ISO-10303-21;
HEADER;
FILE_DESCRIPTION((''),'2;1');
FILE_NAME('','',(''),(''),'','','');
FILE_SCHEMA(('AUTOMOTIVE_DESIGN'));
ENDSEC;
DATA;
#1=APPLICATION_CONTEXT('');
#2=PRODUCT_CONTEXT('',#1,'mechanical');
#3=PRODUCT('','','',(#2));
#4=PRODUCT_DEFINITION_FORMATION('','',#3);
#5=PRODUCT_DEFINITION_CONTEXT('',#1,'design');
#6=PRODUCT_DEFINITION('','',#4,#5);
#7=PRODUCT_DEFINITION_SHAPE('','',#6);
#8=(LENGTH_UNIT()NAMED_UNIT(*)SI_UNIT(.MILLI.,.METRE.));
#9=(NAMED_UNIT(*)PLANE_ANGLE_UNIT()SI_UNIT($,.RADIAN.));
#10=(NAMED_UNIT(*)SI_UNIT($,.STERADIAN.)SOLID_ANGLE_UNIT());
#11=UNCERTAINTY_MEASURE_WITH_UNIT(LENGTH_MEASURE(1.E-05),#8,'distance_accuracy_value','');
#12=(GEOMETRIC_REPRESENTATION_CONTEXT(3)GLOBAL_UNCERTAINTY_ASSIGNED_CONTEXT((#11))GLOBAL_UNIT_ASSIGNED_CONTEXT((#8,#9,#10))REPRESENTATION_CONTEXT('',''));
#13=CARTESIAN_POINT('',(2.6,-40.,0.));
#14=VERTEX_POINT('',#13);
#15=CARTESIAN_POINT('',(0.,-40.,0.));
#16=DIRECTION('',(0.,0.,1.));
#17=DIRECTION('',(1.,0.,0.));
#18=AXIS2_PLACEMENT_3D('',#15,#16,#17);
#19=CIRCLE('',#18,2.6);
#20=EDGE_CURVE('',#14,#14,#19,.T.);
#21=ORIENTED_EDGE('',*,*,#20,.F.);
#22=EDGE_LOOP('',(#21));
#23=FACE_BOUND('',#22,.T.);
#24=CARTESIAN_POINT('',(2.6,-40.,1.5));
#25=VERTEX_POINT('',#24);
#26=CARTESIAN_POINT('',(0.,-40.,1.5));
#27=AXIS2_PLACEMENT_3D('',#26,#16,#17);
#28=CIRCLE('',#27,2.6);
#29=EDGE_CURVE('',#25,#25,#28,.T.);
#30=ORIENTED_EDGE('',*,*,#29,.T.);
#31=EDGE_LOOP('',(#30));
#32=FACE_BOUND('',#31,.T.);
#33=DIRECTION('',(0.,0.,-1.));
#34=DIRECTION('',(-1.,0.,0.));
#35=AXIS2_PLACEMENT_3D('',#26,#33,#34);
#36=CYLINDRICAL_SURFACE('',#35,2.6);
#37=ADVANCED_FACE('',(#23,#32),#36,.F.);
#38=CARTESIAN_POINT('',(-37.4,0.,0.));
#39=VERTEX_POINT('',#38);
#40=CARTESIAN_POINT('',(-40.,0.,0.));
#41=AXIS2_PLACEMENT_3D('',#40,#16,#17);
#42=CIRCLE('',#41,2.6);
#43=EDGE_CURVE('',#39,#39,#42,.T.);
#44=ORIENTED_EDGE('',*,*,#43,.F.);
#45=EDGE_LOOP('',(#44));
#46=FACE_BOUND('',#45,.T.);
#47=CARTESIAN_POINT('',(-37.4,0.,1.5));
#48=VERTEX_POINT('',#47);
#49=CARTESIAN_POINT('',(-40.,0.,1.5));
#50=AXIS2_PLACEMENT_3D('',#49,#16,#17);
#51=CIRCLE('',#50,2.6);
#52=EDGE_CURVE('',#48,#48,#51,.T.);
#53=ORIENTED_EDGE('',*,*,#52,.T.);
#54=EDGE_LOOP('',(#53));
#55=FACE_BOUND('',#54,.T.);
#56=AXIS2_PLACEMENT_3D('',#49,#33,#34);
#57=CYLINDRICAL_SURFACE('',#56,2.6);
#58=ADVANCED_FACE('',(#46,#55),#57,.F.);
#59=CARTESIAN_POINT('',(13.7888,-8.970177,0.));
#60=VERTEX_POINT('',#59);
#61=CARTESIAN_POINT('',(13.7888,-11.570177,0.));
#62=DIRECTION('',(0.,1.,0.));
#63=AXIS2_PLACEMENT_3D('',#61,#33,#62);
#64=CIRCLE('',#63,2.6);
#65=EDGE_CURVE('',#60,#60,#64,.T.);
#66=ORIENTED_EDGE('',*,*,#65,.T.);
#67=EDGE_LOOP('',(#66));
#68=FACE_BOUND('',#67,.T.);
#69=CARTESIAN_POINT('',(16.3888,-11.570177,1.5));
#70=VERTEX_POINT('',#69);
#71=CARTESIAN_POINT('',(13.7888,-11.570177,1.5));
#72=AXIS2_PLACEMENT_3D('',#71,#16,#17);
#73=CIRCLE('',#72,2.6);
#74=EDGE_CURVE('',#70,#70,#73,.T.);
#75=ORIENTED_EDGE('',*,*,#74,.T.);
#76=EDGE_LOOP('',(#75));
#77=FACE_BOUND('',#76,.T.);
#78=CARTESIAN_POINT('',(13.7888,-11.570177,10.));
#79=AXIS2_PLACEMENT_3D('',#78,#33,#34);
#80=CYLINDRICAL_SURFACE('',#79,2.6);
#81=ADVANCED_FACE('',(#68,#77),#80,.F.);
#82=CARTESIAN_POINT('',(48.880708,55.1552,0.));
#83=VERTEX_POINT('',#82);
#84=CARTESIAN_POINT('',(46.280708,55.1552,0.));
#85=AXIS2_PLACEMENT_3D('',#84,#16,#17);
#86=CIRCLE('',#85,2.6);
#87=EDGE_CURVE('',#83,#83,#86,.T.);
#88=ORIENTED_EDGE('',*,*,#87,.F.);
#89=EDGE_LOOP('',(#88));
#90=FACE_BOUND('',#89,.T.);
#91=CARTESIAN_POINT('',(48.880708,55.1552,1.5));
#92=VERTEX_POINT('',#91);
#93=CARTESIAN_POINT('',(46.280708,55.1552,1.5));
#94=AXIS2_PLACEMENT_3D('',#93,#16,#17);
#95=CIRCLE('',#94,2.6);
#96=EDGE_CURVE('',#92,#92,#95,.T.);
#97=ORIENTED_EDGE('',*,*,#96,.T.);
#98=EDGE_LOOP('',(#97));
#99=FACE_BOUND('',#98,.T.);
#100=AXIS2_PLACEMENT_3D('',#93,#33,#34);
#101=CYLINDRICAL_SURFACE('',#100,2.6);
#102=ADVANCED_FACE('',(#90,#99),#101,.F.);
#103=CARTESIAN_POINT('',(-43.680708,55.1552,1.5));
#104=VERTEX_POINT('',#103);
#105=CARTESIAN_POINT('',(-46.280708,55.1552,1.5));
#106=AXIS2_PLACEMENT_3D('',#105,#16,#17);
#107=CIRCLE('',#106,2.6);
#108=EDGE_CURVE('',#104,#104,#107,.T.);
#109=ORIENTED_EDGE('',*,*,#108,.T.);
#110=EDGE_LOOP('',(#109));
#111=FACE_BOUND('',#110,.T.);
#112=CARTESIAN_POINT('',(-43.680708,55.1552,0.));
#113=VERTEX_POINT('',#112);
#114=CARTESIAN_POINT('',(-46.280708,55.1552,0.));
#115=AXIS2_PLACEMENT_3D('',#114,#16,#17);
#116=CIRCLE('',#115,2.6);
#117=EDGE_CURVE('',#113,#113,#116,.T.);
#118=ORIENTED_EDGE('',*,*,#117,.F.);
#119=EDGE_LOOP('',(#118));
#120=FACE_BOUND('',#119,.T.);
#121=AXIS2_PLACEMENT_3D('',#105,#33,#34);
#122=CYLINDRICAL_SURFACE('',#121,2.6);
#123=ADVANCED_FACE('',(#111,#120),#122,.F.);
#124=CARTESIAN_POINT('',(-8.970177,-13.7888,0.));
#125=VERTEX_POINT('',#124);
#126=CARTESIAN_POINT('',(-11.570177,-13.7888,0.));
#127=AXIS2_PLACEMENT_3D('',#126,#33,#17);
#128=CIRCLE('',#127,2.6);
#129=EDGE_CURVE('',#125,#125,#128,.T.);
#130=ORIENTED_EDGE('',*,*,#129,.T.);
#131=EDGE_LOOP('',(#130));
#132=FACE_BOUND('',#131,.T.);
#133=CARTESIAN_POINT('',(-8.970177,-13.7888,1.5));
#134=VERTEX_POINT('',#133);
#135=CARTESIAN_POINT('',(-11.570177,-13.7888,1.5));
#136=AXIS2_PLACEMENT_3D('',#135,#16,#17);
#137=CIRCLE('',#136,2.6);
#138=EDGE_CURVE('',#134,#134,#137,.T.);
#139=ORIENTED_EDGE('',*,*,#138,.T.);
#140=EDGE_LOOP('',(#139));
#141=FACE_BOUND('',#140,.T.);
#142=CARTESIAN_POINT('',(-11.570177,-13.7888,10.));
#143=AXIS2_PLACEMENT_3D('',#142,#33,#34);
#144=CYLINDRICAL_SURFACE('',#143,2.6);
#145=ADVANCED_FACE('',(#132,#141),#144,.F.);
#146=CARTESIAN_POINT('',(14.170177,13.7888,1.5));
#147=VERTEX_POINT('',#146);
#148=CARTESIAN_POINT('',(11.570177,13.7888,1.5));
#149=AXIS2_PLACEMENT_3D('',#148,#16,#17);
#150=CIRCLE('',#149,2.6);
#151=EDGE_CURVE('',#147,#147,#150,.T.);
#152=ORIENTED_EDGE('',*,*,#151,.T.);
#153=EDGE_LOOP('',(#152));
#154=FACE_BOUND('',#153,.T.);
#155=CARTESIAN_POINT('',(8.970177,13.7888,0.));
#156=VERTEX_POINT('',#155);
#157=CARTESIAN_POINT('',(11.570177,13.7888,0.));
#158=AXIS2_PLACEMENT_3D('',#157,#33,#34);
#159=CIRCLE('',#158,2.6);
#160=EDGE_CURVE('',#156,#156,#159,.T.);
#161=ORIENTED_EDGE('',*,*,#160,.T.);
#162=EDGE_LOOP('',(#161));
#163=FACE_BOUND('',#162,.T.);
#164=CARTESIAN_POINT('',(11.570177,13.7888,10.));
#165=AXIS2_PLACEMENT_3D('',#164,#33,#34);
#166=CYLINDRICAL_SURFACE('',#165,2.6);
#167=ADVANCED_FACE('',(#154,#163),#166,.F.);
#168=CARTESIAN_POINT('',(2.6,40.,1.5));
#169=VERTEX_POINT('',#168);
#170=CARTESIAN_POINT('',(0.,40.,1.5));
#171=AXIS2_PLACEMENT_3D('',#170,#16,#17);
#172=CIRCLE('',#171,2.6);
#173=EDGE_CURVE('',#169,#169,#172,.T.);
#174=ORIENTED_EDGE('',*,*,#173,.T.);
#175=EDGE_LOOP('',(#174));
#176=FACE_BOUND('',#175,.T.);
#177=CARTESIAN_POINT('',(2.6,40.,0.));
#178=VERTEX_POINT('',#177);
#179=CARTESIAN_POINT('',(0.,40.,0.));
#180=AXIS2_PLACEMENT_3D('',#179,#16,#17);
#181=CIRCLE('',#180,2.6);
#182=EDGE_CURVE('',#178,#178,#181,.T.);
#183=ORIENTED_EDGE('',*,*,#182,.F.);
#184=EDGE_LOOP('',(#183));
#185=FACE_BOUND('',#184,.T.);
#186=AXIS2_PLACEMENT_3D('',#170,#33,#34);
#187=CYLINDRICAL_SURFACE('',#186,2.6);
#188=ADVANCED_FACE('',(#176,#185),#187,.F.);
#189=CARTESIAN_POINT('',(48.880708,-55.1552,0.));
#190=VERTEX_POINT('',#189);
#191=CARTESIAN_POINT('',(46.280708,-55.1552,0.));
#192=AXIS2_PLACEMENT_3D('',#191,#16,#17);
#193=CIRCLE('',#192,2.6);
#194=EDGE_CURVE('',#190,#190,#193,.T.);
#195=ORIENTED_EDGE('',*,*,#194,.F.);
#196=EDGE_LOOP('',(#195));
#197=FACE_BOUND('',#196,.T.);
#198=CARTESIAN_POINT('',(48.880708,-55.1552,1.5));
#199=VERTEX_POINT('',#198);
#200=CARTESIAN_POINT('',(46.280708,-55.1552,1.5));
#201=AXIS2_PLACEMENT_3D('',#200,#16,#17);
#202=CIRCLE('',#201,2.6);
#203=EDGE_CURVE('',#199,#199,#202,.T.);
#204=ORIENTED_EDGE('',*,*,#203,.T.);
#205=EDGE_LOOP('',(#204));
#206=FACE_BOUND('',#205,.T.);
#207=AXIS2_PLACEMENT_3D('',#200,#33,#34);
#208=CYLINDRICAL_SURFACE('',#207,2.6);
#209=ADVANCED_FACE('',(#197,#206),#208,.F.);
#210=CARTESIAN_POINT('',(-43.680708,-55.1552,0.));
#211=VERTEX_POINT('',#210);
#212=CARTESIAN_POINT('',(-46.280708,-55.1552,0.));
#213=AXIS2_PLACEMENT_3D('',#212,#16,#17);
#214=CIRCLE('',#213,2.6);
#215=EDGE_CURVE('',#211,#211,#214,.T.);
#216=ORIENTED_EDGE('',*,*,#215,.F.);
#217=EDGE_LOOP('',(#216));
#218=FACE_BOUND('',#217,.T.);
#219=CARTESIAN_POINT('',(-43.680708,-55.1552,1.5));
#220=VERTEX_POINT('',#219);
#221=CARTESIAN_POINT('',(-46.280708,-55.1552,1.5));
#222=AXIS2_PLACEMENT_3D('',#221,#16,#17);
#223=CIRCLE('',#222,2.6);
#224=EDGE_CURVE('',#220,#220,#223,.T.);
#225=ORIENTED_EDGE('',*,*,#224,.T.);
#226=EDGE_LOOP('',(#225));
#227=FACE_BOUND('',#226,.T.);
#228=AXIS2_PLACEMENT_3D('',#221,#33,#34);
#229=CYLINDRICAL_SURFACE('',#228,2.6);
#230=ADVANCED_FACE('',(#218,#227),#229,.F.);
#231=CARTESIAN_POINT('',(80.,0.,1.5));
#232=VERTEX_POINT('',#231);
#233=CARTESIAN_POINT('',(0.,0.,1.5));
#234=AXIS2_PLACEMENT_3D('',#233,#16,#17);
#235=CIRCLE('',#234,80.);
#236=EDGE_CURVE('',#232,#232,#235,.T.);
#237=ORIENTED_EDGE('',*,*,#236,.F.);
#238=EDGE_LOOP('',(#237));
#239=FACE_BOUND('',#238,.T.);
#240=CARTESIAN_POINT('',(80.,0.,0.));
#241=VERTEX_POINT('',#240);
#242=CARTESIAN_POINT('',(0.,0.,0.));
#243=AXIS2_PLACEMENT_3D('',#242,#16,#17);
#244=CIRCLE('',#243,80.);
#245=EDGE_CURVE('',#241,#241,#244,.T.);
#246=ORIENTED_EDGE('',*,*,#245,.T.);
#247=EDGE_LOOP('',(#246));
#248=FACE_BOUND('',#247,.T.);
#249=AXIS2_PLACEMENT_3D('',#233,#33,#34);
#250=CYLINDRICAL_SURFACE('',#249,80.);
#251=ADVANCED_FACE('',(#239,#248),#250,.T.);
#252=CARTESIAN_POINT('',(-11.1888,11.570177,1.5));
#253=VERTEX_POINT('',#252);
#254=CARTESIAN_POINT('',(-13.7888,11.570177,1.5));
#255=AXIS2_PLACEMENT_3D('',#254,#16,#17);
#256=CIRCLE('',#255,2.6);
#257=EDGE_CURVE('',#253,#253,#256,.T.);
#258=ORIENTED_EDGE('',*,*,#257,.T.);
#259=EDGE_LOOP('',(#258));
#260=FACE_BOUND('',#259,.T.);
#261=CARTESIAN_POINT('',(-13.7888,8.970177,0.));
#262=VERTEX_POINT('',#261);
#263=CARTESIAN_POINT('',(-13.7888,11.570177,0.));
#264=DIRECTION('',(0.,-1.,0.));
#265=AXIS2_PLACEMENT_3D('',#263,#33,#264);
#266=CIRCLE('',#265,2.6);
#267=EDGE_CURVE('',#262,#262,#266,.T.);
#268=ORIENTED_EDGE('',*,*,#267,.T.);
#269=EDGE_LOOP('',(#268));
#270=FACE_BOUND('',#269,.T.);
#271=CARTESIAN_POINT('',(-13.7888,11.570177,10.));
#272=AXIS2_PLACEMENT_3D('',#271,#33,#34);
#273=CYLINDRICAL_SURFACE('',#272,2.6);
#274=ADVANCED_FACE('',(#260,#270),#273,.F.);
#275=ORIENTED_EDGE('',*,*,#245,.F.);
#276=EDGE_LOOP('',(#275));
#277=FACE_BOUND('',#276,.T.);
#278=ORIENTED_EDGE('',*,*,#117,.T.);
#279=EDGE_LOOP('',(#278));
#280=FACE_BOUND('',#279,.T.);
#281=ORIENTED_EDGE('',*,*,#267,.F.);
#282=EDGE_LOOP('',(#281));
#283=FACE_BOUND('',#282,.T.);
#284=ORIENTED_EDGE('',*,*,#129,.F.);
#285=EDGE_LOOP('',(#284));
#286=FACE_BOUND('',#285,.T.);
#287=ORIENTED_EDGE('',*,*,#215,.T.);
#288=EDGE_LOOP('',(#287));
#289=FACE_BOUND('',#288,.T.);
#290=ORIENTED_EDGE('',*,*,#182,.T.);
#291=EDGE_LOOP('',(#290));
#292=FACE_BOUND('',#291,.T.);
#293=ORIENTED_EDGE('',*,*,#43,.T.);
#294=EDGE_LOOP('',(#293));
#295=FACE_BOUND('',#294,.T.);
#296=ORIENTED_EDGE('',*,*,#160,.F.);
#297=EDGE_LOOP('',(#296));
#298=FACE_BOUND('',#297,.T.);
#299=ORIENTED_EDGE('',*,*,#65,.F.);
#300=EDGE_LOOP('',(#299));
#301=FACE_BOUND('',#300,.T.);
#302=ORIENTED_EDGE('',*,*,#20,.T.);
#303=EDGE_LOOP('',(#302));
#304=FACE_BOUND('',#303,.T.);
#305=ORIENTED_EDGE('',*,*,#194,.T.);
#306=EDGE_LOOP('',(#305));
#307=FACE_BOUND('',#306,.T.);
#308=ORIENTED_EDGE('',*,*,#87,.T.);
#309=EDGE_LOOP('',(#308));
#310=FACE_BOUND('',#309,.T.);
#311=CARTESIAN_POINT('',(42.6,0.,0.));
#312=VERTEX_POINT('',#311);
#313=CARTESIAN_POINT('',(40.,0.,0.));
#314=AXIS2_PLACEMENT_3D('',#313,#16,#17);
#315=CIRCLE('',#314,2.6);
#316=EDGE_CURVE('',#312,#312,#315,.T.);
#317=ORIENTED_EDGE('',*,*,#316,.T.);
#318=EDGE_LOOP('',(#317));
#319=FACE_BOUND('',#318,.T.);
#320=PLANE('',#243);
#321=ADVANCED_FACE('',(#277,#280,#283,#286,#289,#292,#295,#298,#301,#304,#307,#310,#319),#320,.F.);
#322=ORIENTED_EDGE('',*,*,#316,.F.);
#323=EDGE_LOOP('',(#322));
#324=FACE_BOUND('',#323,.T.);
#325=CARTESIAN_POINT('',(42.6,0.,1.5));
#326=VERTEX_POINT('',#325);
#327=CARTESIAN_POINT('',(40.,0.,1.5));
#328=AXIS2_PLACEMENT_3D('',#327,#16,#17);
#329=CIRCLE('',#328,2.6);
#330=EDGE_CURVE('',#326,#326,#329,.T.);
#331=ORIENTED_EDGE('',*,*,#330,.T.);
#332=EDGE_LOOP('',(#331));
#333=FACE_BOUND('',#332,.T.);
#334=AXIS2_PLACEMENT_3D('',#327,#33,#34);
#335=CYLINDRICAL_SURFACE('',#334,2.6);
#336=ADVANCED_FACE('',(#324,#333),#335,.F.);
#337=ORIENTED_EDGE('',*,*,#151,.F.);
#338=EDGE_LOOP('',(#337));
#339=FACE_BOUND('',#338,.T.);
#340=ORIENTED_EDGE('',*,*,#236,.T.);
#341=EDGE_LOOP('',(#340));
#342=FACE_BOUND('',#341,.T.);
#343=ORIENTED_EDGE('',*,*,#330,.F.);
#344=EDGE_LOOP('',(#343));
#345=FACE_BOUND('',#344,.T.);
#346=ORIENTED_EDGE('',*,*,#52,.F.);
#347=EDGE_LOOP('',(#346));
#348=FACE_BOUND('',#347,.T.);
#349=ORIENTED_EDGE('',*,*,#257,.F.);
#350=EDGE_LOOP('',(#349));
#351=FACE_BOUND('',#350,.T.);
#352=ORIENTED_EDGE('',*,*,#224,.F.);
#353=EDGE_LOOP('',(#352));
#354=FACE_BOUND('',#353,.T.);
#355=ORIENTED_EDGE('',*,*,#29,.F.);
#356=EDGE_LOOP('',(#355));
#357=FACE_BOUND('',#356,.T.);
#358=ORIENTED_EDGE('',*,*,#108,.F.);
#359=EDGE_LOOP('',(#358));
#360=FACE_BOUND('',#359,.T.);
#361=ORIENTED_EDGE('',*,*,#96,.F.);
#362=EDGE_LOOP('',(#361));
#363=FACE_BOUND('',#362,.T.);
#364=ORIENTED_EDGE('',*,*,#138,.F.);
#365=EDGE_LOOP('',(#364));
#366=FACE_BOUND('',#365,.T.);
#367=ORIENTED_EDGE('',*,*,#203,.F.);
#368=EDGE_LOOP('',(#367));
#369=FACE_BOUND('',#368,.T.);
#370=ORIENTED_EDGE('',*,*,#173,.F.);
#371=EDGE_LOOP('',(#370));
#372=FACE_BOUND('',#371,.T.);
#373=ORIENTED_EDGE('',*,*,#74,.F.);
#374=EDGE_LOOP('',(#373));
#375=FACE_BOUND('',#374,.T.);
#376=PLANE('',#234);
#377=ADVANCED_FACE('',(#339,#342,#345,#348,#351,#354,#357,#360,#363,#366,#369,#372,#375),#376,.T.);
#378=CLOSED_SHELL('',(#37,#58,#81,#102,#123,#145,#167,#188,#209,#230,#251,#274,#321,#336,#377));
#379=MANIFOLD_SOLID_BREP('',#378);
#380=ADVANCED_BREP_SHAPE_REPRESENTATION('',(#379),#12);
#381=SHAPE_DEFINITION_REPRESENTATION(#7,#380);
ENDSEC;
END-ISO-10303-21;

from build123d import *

# Parameters (mm, degrees)
SKETCH1_R           = 80
SKETCH1_R_2         = 2.6
BOSS_EXTRUDE1_DEPTH = 1.5
SKETCH2_R           = 2.6
CUT_EXTRUDE1_DEPTH  = 10
CIRPATTERN1_COUNT   = 4


with BuildPart() as part:
    # Sketch1 → Boss-Extrude1 (new body)
    with BuildSketch(Plane.XY):
        Circle(SKETCH1_R)
        with Locations((-46.280707897, 55.155199905)):
            Circle(SKETCH1_R_2, mode=Mode.SUBTRACT)
        with Locations((-46.280707897, -55.155199905)):
            Circle(SKETCH1_R_2, mode=Mode.SUBTRACT)
        with Locations((46.280707897, -55.155199905)):
            Circle(SKETCH1_R_2, mode=Mode.SUBTRACT)
        with Locations((46.280707897, 55.155199905)):
            Circle(SKETCH1_R_2, mode=Mode.SUBTRACT)
        with Locations((0, 40)):
            Circle(SKETCH1_R_2, mode=Mode.SUBTRACT)
        with Locations((40, 0)):
            Circle(SKETCH1_R_2, mode=Mode.SUBTRACT)
        with Locations((0, -40)):
            Circle(SKETCH1_R_2, mode=Mode.SUBTRACT)
        with Locations((-40, 0)):
            Circle(SKETCH1_R_2, mode=Mode.SUBTRACT)
    extrude(amount=BOSS_EXTRUDE1_DEPTH)

    # Sketch2 → Cut-Extrude1 (cut)
    with BuildSketch(Plane(origin=(0, 0, 0), x_dir=(-1, 0, 0), z_dir=(0, 0, -1))):
        with Locations((-11.570176974, 13.788799976)):
            Circle(SKETCH2_R)
    cut_extrude1 = extrude(amount=-CUT_EXTRUDE1_DEPTH, mode=Mode.SUBTRACT)

    # CirPattern1: Cut-Extrude1 ×4 about axis
    cirpattern1_axis = Axis((0, 0, 0), (0, 0, 1))
    for i in range(1, CIRPATTERN1_COUNT):
        add(cut_extrude1.rotate(cirpattern1_axis, i * 360 / CIRPATTERN1_COUNT), mode=Mode.SUBTRACT)


solid = part.part
